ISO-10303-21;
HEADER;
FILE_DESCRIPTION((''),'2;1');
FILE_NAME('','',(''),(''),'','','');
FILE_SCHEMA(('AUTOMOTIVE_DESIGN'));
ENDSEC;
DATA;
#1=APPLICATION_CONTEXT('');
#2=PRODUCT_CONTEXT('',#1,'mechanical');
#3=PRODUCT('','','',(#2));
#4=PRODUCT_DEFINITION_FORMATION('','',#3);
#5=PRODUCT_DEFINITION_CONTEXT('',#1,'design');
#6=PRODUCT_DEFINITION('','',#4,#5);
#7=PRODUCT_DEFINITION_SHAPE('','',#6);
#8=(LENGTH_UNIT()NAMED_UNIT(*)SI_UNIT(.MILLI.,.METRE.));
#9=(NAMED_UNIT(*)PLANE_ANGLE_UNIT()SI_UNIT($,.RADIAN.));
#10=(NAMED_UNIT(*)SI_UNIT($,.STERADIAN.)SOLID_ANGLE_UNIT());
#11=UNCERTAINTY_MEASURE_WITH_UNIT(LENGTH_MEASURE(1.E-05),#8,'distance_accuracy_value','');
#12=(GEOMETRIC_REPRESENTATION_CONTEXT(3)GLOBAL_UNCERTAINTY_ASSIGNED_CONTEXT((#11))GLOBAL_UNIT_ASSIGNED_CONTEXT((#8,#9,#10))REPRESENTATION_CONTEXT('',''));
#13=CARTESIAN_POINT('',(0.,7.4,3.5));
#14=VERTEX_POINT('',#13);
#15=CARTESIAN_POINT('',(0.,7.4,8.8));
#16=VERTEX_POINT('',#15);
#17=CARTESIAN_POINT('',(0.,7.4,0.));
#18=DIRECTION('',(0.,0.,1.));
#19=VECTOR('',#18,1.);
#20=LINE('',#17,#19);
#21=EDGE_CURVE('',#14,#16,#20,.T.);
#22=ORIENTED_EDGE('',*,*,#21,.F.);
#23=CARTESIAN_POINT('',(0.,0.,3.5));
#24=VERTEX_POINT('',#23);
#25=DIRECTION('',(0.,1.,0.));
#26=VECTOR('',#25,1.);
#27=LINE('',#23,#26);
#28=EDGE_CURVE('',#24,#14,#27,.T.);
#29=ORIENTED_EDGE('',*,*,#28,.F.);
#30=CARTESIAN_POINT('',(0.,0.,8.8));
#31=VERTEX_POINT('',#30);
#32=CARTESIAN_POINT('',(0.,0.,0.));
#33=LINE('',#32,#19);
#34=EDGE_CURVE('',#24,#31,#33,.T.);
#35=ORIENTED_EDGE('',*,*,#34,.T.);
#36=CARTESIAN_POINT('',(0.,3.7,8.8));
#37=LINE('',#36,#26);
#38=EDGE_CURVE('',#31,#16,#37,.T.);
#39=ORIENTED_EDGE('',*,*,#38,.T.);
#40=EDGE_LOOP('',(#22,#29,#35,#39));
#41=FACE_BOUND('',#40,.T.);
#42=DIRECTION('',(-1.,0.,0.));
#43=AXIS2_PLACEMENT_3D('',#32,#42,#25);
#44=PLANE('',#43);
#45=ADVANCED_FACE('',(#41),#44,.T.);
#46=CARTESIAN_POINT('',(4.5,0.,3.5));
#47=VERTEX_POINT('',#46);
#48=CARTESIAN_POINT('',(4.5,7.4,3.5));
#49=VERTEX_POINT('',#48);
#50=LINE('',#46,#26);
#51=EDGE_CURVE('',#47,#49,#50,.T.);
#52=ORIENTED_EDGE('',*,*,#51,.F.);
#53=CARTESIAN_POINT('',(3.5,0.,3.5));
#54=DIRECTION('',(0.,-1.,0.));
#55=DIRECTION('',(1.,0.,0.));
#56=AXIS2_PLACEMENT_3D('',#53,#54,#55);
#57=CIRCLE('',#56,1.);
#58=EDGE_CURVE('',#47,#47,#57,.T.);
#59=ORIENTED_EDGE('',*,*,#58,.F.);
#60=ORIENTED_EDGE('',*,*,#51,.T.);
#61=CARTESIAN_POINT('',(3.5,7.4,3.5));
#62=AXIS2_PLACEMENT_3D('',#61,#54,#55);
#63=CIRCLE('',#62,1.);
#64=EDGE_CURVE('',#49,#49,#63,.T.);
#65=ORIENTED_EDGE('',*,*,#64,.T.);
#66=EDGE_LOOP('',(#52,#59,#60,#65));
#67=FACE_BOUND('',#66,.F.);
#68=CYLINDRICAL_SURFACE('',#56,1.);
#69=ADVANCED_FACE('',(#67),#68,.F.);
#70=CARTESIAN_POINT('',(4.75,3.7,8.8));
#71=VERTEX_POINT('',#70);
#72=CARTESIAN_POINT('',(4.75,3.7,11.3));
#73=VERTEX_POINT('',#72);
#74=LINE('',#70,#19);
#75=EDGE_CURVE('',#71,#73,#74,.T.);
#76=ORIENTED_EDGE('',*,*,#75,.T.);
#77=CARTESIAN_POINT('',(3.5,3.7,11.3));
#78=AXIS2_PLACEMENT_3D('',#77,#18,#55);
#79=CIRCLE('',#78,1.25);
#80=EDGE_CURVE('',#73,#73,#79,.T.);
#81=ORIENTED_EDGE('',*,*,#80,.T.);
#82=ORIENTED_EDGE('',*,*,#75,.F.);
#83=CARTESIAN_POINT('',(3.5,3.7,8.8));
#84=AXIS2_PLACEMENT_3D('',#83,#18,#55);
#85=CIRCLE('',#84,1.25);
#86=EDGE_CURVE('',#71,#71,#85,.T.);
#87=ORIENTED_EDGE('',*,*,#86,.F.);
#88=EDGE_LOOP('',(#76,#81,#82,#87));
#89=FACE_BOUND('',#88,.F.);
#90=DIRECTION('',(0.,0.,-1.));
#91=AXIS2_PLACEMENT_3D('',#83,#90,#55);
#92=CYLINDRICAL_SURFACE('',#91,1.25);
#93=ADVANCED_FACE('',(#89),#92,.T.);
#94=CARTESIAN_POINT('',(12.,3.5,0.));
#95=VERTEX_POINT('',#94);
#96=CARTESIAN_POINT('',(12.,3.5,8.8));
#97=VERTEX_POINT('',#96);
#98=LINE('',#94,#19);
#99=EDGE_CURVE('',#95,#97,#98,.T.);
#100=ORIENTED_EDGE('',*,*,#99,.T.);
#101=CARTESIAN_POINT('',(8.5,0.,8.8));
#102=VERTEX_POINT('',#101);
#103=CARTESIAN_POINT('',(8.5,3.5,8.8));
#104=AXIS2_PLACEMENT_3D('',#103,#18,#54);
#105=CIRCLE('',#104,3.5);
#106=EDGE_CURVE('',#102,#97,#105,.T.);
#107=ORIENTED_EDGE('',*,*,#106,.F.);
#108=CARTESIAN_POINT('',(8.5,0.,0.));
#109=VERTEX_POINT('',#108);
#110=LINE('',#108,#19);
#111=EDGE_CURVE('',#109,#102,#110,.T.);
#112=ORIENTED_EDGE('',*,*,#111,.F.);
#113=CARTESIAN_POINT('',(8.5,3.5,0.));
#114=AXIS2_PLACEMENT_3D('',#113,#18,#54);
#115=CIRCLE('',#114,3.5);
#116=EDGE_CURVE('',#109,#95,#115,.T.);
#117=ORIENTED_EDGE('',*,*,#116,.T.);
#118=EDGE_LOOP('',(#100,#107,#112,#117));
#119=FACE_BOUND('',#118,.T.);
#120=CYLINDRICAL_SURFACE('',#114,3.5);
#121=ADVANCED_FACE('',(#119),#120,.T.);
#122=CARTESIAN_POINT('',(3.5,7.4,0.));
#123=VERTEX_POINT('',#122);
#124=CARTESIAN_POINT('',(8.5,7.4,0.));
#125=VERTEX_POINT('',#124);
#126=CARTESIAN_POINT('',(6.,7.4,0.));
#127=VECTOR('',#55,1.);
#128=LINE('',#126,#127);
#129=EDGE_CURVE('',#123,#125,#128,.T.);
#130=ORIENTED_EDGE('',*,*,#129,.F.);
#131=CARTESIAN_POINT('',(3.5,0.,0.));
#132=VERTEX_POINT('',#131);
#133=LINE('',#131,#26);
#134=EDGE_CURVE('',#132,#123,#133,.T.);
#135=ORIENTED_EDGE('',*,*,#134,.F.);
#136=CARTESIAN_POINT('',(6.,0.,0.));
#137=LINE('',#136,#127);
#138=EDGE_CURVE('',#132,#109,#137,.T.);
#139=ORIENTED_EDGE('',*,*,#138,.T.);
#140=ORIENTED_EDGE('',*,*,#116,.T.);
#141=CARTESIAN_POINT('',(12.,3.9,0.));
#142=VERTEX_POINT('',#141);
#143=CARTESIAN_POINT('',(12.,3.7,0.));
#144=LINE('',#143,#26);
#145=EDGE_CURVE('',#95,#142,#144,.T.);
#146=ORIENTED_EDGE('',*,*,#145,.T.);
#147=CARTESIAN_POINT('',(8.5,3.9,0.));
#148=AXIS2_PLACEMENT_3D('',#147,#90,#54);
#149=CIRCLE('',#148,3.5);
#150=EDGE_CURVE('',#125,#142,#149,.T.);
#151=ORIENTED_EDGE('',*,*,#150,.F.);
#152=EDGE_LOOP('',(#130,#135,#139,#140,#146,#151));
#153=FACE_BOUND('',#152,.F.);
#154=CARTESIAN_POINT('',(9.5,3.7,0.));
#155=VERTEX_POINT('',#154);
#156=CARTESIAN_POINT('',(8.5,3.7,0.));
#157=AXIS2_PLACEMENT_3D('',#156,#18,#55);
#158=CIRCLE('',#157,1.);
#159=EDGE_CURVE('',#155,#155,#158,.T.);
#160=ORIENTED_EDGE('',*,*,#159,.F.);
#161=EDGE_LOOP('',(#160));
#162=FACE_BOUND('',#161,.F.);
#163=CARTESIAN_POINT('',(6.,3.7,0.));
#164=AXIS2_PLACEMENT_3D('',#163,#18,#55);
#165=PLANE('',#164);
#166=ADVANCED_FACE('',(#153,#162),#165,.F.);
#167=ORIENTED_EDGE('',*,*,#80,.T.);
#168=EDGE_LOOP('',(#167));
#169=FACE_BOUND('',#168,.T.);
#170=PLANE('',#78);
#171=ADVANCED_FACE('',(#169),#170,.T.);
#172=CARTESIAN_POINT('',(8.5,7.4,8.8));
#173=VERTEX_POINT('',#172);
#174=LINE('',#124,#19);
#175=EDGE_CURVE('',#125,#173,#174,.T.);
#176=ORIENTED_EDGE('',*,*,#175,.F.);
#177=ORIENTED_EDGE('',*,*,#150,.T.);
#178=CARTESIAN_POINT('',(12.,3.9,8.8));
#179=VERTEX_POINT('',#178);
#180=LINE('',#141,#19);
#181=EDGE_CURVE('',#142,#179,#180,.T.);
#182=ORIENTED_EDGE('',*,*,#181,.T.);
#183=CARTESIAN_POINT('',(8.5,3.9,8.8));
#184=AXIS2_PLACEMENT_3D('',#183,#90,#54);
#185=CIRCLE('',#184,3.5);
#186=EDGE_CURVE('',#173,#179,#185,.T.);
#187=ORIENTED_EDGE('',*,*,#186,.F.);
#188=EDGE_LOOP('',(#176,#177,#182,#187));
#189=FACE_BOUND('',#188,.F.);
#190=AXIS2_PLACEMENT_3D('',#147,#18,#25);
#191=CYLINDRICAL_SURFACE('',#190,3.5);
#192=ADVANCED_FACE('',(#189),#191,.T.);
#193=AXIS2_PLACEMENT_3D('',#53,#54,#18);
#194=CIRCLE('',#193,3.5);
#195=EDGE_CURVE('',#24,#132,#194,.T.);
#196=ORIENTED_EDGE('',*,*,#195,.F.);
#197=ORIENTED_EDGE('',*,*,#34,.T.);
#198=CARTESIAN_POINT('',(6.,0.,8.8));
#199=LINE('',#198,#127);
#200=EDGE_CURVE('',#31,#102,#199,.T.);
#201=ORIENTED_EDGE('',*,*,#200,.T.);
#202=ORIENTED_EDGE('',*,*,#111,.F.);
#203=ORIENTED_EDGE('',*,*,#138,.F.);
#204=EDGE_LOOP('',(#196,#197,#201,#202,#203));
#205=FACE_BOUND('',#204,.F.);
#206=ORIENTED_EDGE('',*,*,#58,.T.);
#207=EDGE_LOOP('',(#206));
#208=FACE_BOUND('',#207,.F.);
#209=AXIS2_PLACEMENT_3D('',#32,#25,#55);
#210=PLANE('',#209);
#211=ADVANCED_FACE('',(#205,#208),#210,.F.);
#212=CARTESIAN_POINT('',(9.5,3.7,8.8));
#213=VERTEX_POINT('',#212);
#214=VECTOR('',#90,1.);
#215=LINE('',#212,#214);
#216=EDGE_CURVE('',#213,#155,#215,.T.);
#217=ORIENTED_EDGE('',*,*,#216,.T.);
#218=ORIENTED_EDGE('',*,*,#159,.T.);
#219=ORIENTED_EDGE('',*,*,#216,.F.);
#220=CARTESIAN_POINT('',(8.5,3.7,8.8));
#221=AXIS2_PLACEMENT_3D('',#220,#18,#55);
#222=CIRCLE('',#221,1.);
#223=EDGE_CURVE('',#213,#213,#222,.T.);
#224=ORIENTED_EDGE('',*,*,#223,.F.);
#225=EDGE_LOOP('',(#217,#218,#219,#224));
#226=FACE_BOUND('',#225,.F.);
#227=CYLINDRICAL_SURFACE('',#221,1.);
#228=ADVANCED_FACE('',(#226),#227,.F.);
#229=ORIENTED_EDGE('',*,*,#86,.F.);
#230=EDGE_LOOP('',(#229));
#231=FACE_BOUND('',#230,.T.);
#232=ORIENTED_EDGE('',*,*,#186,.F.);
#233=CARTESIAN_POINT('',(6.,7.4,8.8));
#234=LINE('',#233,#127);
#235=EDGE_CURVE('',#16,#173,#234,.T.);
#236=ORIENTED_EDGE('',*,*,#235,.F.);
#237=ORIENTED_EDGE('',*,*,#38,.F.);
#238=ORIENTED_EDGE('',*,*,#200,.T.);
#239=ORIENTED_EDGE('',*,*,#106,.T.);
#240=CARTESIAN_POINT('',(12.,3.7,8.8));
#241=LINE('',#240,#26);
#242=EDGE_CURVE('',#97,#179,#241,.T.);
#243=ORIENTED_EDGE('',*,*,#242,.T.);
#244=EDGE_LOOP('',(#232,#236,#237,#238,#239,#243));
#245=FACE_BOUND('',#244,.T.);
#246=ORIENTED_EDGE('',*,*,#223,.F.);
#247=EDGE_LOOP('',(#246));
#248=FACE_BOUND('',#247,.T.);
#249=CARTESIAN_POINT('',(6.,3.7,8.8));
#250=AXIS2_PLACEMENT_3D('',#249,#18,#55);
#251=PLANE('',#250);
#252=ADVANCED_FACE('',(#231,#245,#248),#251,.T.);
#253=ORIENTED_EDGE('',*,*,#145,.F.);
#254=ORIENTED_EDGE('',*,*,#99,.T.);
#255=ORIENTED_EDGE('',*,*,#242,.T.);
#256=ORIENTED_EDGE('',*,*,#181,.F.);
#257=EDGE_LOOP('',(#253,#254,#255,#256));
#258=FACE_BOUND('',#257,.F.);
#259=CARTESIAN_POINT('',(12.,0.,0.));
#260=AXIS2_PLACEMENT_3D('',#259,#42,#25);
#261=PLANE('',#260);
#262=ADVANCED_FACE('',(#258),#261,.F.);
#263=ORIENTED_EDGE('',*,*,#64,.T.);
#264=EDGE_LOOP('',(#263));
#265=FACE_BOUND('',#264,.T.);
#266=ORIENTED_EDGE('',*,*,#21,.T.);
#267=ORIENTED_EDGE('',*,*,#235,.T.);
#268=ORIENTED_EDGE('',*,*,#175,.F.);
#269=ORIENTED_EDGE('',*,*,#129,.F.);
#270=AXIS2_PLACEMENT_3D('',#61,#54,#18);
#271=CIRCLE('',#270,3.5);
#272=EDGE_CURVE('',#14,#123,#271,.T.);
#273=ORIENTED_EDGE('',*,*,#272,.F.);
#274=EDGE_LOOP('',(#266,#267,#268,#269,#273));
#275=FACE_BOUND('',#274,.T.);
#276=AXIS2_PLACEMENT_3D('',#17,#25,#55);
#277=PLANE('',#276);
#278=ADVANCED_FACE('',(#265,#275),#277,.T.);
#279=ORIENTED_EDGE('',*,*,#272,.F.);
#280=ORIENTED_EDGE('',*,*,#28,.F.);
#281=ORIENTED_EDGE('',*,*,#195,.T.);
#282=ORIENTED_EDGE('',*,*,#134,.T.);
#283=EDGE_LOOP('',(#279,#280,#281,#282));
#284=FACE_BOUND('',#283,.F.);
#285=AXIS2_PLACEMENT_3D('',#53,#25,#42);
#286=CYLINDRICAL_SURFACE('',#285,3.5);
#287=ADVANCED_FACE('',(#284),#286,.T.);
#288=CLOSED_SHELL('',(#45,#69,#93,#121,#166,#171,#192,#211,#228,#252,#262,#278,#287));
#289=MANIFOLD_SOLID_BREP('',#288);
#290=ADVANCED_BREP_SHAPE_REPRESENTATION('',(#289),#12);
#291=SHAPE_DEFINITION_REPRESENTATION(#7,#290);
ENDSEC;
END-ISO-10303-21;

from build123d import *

# Parameters (mm, degrees)
F0_W     = 12
F0_H     = 7.4
F1_DEPTH = 8.8
F2_R     = 1
F3_DEPTH = 25
F4_R     = 3.5
F5_R     = 3.5
F6_R     = 1.25
F7_DEPTH = 2.5
F6_R_2   = 1
F8_DEPTH = 25


with BuildPart() as f1:
    # F0 (on Top) → F1 (new body)
    with BuildSketch(Plane.XY):
        with Locations((6, 3.7)):
            Rectangle(F0_W, F0_H)
    extrude(amount=F1_DEPTH)

    # F2 (on face) → F3 (cut)
    with BuildSketch(Plane.XZ):
        with Locations((3.5, 3.5)):
            Circle(F2_R)
    extrude(amount=-F3_DEPTH, mode=Mode.SUBTRACT)

    # F4
    f4_edges = [f1.edges().sort_by_distance(p)[0] for p in [
        (0, 3.7, 0),
    ]]
    fillet(f4_edges, radius=F4_R)

    # F5
    f5_edges = [f1.edges().sort_by_distance(p)[0] for p in [
        (12, 0, 4.4),
        (12, 7.4, 4.4),
    ]]
    fillet(f5_edges, radius=F5_R)

    # F6 (on face) → F7 (join)
    with BuildSketch(Plane.XY.offset(8.8)):
        with Locations((3.5, 3.7)):
            Circle(F6_R)
    extrude(amount=F7_DEPTH)

    # F6 (on face) → F8 (cut)
    with BuildSketch(Plane.XY.offset(8.8)):
        with Locations((8.5, 3.7)):
            Circle(F6_R_2)
    extrude(amount=-F8_DEPTH, mode=Mode.SUBTRACT)


solid = f1.part
